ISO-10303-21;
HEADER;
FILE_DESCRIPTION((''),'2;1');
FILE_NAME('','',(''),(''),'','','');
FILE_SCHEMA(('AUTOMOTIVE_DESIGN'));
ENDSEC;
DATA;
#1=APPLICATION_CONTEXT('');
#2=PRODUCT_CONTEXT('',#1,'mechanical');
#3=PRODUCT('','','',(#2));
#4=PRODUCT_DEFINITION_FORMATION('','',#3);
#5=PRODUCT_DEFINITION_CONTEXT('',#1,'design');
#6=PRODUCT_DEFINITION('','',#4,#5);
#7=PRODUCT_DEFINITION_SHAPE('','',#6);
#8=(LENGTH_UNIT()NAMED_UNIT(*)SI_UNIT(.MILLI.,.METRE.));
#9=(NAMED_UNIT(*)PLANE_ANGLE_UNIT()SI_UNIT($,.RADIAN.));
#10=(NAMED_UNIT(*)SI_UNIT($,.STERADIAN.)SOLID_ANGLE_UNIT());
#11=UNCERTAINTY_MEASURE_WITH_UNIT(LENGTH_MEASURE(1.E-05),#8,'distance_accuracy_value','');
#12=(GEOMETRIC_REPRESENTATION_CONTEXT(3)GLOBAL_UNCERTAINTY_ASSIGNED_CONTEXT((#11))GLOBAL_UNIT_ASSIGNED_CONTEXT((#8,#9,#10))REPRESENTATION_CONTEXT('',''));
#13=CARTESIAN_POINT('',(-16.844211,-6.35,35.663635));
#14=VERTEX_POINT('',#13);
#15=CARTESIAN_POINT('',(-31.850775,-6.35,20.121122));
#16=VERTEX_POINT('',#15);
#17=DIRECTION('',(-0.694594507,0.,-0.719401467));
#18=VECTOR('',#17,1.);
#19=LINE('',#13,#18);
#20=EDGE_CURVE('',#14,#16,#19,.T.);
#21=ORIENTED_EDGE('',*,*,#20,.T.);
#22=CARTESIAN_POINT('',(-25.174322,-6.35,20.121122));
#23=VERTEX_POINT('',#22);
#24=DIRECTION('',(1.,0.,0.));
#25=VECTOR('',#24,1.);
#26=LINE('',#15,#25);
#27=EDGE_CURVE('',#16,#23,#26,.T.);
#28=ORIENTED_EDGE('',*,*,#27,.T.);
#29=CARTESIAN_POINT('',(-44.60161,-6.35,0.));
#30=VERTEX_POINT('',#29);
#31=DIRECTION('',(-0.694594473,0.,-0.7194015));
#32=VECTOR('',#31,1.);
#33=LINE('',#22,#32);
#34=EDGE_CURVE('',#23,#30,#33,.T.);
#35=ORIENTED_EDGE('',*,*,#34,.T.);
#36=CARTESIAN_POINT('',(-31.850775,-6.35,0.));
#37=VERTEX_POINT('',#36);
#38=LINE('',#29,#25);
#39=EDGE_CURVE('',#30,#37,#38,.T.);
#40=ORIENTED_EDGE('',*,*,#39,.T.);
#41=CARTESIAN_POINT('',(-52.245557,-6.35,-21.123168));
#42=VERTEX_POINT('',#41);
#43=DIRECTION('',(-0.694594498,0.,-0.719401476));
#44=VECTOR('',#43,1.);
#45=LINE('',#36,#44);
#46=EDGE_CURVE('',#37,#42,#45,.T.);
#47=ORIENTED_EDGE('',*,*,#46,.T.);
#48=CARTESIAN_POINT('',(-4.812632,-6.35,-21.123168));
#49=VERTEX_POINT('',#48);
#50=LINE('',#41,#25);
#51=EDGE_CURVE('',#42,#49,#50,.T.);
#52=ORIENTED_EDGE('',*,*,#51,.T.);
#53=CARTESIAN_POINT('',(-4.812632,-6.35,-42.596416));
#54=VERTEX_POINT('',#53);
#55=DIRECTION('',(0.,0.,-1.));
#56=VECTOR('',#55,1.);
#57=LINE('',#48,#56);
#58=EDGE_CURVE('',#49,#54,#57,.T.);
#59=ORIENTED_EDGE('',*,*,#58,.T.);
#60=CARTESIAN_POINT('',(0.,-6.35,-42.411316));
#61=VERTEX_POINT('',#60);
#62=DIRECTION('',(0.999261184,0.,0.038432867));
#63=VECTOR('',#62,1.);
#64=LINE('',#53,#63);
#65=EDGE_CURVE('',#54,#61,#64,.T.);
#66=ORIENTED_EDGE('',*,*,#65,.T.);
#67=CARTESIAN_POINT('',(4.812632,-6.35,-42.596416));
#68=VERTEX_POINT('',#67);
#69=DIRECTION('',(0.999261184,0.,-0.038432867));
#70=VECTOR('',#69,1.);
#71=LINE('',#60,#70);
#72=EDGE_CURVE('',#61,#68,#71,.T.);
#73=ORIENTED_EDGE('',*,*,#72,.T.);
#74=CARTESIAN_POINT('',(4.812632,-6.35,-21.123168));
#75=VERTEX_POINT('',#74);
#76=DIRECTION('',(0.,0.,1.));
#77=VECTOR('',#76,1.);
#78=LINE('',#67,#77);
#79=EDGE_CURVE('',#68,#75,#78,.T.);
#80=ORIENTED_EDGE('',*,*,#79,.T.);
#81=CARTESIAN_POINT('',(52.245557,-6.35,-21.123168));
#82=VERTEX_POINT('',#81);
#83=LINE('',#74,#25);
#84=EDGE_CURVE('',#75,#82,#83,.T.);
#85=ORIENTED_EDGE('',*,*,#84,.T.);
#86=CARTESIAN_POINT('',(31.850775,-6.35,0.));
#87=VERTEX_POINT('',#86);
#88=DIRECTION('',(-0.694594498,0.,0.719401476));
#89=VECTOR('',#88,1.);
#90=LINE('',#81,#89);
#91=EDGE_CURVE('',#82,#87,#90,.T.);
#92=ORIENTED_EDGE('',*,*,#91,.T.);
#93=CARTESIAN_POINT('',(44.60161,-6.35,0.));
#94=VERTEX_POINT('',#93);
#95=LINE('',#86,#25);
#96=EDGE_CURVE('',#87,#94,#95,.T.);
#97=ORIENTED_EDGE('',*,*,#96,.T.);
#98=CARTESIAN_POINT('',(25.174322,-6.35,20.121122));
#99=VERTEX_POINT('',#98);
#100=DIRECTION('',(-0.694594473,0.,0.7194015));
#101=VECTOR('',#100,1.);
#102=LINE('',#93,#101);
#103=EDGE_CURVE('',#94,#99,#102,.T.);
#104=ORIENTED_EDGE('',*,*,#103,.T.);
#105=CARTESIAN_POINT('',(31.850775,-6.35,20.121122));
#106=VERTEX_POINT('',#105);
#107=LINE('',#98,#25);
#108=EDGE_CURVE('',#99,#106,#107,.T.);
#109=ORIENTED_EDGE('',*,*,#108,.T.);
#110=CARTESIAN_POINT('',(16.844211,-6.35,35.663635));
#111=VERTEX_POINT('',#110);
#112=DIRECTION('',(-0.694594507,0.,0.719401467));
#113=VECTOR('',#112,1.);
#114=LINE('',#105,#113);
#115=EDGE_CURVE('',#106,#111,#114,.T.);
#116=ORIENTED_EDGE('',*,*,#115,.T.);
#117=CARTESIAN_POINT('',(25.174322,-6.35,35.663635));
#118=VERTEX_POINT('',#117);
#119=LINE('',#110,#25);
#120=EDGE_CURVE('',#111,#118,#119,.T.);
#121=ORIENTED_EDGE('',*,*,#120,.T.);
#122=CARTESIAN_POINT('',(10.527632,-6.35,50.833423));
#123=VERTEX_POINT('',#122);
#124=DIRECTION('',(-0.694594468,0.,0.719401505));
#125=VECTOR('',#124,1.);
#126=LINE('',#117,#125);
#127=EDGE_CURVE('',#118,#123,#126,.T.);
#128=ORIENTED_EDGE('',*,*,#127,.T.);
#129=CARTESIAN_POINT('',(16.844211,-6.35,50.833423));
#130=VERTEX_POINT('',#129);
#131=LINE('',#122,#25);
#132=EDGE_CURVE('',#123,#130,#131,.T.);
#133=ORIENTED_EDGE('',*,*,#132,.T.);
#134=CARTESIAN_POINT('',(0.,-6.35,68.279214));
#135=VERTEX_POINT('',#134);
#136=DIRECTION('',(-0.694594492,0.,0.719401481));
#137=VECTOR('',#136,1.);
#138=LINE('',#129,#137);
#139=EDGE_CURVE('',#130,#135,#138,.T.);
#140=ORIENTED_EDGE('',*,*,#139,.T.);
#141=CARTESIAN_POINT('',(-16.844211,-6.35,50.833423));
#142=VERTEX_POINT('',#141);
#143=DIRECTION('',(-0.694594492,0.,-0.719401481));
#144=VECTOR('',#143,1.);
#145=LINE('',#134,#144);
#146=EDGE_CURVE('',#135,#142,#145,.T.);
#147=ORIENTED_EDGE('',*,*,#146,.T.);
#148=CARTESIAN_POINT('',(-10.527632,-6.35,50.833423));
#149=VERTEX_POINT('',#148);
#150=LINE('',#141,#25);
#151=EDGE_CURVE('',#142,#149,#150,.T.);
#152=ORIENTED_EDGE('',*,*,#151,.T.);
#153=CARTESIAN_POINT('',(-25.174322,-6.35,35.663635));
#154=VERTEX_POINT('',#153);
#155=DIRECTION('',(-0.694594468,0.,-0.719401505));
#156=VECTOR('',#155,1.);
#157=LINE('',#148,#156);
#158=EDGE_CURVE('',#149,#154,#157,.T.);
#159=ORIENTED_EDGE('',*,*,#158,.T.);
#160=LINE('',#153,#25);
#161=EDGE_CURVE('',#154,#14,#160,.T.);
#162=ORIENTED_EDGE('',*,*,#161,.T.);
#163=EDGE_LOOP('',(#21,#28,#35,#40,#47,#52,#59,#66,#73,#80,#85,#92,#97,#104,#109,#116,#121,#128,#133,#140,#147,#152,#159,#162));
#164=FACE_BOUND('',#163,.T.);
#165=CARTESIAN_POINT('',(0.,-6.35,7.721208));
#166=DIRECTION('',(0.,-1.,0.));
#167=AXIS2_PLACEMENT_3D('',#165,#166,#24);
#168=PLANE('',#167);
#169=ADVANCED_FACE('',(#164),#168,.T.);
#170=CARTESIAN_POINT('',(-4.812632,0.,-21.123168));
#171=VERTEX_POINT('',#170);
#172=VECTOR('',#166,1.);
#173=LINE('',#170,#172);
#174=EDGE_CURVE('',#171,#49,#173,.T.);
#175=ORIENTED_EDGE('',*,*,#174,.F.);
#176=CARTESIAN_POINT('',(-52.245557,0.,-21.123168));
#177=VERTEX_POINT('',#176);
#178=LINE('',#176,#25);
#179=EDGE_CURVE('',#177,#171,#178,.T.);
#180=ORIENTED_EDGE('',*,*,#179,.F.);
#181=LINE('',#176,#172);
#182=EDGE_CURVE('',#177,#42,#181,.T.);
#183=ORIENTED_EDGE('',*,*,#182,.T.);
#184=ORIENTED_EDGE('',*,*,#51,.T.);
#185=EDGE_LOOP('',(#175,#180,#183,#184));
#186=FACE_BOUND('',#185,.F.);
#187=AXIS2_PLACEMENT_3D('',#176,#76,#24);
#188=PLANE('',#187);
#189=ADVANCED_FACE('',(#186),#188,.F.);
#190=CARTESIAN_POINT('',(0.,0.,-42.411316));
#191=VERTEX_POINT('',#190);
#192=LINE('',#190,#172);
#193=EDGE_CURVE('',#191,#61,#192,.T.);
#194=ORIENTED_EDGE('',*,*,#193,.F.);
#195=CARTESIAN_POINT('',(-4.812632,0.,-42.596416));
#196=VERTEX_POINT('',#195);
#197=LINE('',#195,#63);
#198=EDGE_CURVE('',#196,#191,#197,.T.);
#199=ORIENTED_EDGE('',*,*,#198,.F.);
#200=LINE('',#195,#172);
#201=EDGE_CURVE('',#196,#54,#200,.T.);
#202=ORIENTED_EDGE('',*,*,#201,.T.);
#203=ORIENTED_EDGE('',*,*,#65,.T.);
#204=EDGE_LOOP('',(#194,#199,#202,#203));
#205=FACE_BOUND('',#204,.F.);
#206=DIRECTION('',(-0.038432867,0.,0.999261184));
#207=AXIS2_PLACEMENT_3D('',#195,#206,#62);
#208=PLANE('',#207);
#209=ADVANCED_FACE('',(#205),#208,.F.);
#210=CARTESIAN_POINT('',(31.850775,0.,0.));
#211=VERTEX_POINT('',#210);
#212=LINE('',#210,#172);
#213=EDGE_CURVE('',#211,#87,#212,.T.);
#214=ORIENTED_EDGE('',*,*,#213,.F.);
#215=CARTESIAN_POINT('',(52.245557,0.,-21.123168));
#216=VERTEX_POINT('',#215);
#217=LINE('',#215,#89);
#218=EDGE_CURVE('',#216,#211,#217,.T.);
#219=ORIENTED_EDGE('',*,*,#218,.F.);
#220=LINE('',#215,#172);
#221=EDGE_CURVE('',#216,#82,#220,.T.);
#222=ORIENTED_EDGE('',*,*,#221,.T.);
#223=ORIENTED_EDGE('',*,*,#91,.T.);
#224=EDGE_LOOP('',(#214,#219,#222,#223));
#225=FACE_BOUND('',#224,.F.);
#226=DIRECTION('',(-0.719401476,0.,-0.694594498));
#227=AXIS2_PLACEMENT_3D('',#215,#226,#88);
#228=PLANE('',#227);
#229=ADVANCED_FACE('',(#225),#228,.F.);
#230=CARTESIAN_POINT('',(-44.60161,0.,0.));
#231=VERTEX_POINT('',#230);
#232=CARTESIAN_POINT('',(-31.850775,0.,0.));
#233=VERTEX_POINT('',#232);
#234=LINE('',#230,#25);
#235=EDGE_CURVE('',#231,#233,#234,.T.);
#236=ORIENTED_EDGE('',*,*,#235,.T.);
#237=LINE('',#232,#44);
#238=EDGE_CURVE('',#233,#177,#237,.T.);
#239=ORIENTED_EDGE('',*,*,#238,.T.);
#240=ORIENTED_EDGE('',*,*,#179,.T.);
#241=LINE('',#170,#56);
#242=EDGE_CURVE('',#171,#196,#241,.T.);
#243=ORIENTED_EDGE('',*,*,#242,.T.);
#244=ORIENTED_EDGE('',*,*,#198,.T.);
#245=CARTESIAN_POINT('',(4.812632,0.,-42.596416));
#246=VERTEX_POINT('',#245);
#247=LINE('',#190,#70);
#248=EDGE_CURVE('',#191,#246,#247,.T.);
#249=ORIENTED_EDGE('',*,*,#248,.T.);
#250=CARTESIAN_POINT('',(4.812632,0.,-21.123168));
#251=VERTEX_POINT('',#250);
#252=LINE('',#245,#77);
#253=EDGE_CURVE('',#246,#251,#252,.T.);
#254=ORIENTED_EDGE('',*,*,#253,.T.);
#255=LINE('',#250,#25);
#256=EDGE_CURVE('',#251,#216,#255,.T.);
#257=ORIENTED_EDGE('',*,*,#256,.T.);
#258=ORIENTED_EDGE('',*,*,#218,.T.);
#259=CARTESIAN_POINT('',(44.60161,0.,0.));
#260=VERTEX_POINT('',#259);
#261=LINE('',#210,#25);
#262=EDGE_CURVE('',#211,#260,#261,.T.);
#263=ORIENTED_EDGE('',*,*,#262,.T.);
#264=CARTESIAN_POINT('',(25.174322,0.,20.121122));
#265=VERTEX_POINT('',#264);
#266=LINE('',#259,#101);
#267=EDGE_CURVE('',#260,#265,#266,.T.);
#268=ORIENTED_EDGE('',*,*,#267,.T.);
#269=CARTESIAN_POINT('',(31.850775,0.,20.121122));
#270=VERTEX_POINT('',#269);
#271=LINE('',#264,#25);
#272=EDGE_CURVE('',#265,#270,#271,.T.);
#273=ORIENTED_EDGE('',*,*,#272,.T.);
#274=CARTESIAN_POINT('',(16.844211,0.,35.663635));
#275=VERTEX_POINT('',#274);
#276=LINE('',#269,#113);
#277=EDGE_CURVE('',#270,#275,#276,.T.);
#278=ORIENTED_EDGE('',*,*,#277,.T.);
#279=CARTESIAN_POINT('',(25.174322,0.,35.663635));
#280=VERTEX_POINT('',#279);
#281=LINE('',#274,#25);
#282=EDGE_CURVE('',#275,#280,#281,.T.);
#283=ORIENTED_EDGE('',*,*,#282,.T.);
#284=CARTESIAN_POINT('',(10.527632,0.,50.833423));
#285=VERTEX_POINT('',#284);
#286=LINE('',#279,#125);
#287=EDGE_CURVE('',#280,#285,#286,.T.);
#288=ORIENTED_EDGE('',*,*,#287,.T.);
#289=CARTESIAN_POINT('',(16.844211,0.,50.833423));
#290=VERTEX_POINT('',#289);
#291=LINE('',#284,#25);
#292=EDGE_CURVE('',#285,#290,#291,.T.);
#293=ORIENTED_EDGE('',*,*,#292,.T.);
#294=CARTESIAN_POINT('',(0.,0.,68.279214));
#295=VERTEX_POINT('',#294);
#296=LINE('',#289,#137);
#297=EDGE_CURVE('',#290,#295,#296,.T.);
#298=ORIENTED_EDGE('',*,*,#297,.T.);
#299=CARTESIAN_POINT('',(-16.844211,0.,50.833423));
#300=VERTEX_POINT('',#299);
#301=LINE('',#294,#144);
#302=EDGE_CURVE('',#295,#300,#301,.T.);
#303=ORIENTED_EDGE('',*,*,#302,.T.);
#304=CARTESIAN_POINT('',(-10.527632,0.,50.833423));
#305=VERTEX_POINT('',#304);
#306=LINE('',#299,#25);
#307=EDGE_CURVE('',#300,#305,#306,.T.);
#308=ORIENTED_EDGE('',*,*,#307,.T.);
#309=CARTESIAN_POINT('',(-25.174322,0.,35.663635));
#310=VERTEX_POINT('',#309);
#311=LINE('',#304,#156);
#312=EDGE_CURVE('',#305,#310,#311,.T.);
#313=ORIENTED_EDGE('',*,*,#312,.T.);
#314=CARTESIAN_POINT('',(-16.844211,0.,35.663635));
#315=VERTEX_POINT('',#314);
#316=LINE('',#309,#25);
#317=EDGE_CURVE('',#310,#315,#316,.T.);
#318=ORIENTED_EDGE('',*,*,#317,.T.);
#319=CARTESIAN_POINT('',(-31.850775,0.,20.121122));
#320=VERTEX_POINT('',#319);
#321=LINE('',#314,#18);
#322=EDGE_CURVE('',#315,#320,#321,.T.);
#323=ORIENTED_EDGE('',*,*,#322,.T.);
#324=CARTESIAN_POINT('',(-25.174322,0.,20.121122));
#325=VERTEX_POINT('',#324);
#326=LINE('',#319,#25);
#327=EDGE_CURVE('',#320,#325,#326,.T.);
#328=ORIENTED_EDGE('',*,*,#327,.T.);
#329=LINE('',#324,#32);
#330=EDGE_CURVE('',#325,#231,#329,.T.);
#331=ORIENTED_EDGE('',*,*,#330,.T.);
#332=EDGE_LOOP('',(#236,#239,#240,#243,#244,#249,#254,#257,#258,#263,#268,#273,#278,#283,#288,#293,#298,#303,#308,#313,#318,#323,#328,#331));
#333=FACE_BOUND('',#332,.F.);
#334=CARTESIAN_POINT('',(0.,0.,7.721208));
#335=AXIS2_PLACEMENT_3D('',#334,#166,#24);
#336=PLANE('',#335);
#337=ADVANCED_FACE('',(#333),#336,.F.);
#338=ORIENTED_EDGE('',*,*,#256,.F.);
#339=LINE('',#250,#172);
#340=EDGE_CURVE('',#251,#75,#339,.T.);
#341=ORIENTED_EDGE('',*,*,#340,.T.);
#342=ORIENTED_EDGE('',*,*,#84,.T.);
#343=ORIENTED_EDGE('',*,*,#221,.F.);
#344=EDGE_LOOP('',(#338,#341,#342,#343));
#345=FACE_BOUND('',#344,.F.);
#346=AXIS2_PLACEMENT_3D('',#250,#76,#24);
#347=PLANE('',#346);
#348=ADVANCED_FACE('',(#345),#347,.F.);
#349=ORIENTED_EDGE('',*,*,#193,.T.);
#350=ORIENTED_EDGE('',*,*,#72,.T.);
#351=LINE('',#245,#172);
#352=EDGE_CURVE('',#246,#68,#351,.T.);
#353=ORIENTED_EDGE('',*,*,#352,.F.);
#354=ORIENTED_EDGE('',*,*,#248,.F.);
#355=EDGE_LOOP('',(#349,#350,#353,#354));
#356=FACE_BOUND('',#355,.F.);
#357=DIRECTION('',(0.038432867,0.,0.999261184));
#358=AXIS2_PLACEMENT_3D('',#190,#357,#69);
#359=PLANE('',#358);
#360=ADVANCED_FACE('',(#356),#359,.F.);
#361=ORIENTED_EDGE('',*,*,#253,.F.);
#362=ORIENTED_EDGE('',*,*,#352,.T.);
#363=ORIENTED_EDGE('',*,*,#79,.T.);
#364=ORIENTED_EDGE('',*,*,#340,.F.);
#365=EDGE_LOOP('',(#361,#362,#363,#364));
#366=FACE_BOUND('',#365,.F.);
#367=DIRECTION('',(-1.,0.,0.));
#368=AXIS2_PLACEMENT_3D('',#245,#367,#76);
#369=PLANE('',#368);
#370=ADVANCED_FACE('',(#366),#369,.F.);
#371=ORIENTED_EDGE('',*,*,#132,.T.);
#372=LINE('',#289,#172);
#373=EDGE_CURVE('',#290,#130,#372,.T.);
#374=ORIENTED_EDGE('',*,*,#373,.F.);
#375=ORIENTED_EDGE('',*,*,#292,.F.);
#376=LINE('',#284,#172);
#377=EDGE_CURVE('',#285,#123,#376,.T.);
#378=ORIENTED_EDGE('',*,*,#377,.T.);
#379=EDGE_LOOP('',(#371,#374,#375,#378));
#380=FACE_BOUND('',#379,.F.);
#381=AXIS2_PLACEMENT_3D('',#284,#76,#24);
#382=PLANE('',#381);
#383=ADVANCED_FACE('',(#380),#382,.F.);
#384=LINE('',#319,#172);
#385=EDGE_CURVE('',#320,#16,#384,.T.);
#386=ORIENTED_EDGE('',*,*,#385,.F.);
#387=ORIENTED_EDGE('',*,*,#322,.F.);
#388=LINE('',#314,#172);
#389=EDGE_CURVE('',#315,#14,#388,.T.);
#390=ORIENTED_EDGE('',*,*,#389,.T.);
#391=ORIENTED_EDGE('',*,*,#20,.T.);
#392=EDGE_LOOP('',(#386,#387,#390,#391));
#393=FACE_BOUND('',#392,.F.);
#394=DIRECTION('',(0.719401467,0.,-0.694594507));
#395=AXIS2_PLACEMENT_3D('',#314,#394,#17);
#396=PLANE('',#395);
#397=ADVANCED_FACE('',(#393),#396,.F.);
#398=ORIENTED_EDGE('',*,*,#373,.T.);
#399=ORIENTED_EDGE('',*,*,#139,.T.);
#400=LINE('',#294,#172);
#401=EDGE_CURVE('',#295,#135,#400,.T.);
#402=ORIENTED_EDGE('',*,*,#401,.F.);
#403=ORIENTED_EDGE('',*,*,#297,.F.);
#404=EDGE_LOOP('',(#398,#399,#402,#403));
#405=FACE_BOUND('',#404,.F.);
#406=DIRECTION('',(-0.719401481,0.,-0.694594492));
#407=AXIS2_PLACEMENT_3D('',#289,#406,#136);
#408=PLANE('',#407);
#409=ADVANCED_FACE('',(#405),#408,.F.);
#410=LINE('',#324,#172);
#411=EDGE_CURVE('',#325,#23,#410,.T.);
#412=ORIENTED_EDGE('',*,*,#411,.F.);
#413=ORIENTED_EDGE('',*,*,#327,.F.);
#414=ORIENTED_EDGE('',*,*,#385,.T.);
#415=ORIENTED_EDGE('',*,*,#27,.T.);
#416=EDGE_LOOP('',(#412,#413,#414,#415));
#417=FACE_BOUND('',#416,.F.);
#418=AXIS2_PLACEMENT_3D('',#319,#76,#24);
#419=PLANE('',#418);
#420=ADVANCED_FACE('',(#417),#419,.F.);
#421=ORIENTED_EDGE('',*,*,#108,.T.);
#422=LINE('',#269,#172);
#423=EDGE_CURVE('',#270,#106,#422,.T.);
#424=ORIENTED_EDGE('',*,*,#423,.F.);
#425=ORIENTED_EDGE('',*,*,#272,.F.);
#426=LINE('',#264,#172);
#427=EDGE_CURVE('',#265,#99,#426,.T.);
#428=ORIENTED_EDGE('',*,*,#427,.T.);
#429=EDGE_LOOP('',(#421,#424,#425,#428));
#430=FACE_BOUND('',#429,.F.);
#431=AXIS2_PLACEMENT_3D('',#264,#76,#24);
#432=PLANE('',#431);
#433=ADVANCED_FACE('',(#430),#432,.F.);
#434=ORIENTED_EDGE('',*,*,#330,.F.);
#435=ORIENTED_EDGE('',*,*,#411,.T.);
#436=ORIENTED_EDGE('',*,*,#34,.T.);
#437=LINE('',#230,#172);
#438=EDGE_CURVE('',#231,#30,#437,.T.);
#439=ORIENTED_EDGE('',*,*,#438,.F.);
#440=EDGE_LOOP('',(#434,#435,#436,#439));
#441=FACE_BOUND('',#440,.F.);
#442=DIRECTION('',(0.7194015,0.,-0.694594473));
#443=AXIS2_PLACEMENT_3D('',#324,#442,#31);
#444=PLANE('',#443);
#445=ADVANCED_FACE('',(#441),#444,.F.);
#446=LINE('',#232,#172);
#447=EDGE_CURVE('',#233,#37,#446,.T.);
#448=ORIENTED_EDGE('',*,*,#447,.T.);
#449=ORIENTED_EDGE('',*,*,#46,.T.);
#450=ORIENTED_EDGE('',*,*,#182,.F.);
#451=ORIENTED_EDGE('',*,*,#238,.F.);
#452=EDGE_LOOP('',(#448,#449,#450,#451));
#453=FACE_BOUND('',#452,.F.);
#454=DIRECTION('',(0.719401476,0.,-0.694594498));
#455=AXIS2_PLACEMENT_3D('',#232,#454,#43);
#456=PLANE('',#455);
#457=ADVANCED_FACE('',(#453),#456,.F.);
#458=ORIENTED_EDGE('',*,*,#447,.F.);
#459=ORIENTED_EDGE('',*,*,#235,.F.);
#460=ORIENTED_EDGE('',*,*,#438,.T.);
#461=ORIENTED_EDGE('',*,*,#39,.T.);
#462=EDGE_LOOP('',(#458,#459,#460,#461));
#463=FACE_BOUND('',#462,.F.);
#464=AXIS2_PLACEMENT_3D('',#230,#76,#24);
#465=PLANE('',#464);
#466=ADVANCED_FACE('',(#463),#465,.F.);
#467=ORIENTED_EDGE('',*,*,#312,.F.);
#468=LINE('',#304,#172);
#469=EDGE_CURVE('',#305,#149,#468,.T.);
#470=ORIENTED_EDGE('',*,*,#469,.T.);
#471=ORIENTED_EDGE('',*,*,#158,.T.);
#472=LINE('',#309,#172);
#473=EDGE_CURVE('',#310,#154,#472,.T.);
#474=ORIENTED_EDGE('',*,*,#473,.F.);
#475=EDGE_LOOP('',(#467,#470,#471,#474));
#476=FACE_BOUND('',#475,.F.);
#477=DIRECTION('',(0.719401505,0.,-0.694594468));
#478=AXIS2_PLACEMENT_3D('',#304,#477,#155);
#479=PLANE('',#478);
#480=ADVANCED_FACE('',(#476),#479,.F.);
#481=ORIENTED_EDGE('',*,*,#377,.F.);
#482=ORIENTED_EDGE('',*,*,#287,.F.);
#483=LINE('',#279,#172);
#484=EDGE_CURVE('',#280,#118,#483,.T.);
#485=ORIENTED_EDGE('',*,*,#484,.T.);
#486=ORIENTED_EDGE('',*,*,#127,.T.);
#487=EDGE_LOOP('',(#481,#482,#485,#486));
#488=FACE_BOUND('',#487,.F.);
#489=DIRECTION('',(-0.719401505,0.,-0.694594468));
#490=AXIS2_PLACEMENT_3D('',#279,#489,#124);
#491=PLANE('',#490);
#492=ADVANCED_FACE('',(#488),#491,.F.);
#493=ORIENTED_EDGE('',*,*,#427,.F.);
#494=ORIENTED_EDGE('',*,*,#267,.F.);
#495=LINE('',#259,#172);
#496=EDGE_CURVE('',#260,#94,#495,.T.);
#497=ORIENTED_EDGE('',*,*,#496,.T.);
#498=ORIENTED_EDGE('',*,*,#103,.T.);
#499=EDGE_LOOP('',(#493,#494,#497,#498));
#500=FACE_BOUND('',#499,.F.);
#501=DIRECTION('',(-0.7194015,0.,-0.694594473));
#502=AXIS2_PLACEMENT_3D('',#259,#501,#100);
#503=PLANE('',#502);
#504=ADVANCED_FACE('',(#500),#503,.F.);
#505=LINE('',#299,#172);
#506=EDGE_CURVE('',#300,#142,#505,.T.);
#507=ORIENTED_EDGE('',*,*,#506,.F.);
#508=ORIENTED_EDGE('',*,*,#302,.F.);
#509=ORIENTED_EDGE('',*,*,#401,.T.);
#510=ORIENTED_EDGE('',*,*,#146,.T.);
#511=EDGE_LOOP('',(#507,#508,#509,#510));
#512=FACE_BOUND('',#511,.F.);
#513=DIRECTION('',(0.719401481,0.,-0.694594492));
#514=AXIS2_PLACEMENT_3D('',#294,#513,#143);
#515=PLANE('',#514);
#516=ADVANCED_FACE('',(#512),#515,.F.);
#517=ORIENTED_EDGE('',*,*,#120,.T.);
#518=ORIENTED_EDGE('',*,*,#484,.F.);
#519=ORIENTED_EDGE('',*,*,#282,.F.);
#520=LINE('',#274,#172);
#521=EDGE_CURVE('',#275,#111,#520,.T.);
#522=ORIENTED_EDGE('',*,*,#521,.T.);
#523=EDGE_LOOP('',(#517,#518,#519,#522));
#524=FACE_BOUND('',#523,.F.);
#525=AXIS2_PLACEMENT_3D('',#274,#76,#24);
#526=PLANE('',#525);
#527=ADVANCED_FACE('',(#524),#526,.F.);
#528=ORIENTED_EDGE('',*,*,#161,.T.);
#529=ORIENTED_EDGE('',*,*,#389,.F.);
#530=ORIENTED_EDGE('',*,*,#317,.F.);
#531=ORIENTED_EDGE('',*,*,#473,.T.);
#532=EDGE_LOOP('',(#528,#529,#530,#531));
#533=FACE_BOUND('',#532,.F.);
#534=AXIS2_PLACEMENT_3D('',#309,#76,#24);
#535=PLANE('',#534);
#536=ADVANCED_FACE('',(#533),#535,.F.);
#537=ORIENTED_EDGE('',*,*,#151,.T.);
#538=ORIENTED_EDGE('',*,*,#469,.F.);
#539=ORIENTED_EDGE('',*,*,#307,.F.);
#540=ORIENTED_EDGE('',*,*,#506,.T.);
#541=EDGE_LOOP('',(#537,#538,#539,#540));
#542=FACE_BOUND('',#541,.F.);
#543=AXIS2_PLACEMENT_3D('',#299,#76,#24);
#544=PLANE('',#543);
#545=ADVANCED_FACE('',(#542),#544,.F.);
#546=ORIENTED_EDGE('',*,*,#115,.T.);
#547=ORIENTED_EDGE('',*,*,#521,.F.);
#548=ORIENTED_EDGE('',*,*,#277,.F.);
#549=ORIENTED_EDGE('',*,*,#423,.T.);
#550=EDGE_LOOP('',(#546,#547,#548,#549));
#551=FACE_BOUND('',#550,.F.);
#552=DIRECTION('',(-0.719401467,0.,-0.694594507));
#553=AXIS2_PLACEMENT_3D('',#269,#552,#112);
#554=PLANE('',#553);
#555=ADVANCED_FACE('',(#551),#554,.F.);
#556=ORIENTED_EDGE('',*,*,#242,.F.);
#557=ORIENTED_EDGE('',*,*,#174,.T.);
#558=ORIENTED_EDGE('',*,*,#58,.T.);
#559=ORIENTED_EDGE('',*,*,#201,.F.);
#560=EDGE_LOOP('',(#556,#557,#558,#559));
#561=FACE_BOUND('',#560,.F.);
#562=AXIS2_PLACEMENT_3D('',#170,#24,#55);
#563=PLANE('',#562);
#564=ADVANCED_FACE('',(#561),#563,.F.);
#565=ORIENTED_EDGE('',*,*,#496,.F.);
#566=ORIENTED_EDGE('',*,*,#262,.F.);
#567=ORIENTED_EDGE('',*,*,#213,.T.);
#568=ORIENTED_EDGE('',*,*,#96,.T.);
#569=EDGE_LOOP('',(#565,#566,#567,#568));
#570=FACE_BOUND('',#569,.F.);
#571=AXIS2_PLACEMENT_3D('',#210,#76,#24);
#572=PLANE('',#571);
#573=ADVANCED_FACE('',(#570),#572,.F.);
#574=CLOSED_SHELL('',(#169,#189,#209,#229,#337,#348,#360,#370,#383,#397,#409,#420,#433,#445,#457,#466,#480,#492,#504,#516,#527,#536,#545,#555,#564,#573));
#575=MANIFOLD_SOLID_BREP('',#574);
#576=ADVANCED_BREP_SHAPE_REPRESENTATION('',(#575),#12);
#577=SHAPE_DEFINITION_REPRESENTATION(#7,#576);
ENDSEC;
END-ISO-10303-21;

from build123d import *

# Parameters (mm, degrees)
F1_DEPTH = 6.35


with BuildPart() as f1:
    # F0 (on Front) → F1 (new body)
    with BuildSketch(Plane.XZ):
        Polygon((16.844211, 50.833423), (0, 68.279214), (-16.844211, 50.833423), (-10.527632, 50.833423), (-25.174322, 35.663635), (-16.844211, 35.663635), (-31.850775, 20.121122), (-25.174322, 20.121122), (-44.60161, 0), (-31.850775, 0), (-52.245557, -21.123168), (-4.812632, -21.123168), (-4.812632, -42.596416), (0, -42.411316), (4.812632, -42.596416), (4.812632, -21.123168), (52.245557, -21.123168), (31.850775, 0), (44.60161, 0), (25.174322, 20.121122), (31.850775, 20.121122), (16.844211, 35.663635), (25.174322, 35.663635), (10.527632, 50.833423), align=None)
    extrude(amount=F1_DEPTH)


solid = f1.part
